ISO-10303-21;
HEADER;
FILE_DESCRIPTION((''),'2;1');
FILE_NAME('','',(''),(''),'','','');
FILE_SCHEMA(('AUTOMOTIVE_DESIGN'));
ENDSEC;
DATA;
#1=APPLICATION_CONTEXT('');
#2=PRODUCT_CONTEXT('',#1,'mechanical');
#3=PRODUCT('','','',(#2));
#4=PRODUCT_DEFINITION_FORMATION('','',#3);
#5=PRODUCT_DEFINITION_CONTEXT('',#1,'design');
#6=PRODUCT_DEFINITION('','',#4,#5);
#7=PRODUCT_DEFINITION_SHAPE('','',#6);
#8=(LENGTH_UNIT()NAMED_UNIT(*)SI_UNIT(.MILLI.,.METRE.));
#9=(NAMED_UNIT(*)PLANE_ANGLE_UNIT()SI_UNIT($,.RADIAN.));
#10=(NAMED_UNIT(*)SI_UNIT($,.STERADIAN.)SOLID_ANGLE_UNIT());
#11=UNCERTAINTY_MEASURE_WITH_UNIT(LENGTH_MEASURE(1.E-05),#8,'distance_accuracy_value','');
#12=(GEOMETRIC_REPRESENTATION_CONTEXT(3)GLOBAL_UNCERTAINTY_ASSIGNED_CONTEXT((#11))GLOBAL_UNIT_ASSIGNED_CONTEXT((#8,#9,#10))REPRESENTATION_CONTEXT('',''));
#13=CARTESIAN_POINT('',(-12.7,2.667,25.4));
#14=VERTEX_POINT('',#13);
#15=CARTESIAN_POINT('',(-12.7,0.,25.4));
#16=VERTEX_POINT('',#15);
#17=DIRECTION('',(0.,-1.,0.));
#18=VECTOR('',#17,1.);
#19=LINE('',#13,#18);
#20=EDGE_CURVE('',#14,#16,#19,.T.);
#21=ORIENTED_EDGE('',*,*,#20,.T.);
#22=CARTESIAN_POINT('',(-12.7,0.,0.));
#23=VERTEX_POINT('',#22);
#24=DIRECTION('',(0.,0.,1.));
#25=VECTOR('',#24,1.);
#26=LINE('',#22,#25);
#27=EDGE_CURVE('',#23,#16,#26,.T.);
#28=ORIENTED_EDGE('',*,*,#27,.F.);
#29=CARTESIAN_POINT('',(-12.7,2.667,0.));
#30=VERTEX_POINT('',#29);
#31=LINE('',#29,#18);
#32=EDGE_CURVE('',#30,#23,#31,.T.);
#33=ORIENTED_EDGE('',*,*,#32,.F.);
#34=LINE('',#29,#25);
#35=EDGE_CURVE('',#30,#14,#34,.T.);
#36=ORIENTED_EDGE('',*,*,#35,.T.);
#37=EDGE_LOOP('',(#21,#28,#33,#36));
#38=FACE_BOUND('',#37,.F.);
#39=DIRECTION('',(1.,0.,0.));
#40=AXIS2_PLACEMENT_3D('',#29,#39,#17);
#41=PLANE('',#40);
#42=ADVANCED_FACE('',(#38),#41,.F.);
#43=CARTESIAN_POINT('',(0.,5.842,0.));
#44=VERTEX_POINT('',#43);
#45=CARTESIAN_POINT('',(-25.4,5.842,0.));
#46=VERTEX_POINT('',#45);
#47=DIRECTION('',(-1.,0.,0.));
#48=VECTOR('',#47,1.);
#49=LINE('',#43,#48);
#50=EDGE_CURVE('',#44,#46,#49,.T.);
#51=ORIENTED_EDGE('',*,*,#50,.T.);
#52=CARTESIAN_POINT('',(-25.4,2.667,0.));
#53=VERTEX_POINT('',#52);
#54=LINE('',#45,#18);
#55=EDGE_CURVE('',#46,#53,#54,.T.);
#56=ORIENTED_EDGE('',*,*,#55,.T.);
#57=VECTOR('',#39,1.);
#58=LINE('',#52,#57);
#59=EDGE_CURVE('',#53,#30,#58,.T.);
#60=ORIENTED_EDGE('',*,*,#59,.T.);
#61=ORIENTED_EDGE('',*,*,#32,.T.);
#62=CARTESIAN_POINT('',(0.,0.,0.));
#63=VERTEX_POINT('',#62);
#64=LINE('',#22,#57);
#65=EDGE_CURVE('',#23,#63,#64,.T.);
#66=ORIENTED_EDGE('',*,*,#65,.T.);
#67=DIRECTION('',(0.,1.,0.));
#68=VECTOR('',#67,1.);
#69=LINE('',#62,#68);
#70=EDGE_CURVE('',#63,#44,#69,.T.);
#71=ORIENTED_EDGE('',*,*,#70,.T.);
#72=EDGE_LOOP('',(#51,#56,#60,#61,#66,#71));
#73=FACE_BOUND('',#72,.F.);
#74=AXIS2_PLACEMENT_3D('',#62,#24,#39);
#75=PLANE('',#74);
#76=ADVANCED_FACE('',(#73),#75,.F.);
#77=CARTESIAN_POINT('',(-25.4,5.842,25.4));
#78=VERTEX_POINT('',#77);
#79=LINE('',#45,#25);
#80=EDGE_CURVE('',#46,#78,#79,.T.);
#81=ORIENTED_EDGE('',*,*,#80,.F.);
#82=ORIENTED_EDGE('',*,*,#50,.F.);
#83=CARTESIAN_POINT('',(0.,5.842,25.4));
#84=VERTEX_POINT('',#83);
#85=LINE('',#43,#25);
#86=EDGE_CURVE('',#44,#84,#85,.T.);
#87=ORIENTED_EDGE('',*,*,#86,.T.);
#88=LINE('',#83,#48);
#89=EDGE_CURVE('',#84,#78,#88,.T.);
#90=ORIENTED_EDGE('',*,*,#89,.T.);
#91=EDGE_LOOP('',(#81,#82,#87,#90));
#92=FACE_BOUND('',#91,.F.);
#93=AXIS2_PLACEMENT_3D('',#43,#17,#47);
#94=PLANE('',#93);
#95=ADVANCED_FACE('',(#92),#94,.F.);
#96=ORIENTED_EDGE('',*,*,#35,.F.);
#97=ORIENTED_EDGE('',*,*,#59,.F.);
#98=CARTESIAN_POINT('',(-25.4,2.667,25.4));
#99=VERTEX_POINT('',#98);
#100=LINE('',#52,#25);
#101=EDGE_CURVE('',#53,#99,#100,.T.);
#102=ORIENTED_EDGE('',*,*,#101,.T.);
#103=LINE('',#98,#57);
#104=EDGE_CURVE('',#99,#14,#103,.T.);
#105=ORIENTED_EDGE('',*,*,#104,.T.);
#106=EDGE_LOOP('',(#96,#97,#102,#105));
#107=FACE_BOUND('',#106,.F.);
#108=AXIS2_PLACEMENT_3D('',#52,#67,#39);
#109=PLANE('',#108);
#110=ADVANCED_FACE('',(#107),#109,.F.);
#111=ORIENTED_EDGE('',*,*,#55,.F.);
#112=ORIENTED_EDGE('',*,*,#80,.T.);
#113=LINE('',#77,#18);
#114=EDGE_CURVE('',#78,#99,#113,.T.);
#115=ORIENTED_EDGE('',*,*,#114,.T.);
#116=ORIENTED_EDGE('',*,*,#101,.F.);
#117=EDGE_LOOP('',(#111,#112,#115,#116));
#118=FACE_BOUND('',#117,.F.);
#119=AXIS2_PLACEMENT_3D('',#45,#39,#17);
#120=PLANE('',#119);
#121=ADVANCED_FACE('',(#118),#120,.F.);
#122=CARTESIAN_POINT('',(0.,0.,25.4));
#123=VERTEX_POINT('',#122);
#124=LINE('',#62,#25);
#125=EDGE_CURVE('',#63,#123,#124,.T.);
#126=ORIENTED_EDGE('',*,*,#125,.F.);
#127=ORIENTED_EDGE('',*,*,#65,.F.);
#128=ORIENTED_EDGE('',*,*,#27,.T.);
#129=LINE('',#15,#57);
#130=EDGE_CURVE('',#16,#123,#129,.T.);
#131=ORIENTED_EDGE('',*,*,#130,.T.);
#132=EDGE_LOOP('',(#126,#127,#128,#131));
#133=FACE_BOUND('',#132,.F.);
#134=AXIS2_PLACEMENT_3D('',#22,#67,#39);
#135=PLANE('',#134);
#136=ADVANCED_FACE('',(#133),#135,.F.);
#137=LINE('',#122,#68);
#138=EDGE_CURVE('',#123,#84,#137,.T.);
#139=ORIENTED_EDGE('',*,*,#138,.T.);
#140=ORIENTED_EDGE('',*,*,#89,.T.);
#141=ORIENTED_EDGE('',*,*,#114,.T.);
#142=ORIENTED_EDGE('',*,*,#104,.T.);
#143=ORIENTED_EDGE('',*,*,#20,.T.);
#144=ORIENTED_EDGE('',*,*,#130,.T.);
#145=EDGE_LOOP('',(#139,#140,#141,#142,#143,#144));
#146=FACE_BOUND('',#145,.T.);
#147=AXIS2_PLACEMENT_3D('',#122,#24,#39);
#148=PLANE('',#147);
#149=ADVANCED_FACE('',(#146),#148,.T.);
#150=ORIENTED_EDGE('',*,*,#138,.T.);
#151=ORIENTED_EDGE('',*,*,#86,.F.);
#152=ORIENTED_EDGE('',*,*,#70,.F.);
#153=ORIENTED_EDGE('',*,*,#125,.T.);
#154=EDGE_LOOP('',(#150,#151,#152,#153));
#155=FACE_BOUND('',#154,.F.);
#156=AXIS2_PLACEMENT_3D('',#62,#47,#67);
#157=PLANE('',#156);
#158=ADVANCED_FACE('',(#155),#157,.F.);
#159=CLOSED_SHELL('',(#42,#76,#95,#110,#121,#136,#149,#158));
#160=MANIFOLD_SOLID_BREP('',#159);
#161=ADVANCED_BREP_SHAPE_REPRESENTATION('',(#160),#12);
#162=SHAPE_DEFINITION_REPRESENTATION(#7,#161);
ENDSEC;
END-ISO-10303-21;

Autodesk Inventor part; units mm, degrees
ref_plane "YZ Plane" through (0, 0, 0) normal (1, 0, 0) x (0, 1, 0)
ref_plane "XZ Plane" through (0, 0, 0) normal (0, 1, 0) x (-1, 0, 0)
ref_plane "XY Plane" through (0, 0, 0) normal (0, 0, 1) x (1, 0, 0)
sketch "Sketch1" plane through (0, 0, 0) normal (0, 0, 1) x (1, 0, 0)
  line L0 (0, 0) -> (0, 5.842)
  line L1 (0, 0) -> (5.842, 0) construction
  line L2 (0, 5.842) -> (-25.4, 5.842)
  line L3 (0, 5.842) -> (25.4, 5.842) construction
  line L4 (-25.4, 5.842) -> (-25.4, 2.667)
  line L5 (-25.4, 2.667) -> (-12.7, 2.667)
  line L6 (-25.4, 2.667) -> (-12.7, 2.667) construction
  line L7 (-12.7, 2.667) -> (-12.7, 0)
  line L8 (-12.7, 0) -> (0, 0)
  dimension "d0" = 5.842
  dimension "d1" = 90
  dimension "d2" = 25.4
  dimension "d3" = 180
  dimension "d4" = 3.175
  dimension "d5" = 12.7
  dimension "d6" = 0
extrude "Extrusion1" add sketch "Sketch1" along normal blind 25.4
properties part number "ToteBasinBracket"
